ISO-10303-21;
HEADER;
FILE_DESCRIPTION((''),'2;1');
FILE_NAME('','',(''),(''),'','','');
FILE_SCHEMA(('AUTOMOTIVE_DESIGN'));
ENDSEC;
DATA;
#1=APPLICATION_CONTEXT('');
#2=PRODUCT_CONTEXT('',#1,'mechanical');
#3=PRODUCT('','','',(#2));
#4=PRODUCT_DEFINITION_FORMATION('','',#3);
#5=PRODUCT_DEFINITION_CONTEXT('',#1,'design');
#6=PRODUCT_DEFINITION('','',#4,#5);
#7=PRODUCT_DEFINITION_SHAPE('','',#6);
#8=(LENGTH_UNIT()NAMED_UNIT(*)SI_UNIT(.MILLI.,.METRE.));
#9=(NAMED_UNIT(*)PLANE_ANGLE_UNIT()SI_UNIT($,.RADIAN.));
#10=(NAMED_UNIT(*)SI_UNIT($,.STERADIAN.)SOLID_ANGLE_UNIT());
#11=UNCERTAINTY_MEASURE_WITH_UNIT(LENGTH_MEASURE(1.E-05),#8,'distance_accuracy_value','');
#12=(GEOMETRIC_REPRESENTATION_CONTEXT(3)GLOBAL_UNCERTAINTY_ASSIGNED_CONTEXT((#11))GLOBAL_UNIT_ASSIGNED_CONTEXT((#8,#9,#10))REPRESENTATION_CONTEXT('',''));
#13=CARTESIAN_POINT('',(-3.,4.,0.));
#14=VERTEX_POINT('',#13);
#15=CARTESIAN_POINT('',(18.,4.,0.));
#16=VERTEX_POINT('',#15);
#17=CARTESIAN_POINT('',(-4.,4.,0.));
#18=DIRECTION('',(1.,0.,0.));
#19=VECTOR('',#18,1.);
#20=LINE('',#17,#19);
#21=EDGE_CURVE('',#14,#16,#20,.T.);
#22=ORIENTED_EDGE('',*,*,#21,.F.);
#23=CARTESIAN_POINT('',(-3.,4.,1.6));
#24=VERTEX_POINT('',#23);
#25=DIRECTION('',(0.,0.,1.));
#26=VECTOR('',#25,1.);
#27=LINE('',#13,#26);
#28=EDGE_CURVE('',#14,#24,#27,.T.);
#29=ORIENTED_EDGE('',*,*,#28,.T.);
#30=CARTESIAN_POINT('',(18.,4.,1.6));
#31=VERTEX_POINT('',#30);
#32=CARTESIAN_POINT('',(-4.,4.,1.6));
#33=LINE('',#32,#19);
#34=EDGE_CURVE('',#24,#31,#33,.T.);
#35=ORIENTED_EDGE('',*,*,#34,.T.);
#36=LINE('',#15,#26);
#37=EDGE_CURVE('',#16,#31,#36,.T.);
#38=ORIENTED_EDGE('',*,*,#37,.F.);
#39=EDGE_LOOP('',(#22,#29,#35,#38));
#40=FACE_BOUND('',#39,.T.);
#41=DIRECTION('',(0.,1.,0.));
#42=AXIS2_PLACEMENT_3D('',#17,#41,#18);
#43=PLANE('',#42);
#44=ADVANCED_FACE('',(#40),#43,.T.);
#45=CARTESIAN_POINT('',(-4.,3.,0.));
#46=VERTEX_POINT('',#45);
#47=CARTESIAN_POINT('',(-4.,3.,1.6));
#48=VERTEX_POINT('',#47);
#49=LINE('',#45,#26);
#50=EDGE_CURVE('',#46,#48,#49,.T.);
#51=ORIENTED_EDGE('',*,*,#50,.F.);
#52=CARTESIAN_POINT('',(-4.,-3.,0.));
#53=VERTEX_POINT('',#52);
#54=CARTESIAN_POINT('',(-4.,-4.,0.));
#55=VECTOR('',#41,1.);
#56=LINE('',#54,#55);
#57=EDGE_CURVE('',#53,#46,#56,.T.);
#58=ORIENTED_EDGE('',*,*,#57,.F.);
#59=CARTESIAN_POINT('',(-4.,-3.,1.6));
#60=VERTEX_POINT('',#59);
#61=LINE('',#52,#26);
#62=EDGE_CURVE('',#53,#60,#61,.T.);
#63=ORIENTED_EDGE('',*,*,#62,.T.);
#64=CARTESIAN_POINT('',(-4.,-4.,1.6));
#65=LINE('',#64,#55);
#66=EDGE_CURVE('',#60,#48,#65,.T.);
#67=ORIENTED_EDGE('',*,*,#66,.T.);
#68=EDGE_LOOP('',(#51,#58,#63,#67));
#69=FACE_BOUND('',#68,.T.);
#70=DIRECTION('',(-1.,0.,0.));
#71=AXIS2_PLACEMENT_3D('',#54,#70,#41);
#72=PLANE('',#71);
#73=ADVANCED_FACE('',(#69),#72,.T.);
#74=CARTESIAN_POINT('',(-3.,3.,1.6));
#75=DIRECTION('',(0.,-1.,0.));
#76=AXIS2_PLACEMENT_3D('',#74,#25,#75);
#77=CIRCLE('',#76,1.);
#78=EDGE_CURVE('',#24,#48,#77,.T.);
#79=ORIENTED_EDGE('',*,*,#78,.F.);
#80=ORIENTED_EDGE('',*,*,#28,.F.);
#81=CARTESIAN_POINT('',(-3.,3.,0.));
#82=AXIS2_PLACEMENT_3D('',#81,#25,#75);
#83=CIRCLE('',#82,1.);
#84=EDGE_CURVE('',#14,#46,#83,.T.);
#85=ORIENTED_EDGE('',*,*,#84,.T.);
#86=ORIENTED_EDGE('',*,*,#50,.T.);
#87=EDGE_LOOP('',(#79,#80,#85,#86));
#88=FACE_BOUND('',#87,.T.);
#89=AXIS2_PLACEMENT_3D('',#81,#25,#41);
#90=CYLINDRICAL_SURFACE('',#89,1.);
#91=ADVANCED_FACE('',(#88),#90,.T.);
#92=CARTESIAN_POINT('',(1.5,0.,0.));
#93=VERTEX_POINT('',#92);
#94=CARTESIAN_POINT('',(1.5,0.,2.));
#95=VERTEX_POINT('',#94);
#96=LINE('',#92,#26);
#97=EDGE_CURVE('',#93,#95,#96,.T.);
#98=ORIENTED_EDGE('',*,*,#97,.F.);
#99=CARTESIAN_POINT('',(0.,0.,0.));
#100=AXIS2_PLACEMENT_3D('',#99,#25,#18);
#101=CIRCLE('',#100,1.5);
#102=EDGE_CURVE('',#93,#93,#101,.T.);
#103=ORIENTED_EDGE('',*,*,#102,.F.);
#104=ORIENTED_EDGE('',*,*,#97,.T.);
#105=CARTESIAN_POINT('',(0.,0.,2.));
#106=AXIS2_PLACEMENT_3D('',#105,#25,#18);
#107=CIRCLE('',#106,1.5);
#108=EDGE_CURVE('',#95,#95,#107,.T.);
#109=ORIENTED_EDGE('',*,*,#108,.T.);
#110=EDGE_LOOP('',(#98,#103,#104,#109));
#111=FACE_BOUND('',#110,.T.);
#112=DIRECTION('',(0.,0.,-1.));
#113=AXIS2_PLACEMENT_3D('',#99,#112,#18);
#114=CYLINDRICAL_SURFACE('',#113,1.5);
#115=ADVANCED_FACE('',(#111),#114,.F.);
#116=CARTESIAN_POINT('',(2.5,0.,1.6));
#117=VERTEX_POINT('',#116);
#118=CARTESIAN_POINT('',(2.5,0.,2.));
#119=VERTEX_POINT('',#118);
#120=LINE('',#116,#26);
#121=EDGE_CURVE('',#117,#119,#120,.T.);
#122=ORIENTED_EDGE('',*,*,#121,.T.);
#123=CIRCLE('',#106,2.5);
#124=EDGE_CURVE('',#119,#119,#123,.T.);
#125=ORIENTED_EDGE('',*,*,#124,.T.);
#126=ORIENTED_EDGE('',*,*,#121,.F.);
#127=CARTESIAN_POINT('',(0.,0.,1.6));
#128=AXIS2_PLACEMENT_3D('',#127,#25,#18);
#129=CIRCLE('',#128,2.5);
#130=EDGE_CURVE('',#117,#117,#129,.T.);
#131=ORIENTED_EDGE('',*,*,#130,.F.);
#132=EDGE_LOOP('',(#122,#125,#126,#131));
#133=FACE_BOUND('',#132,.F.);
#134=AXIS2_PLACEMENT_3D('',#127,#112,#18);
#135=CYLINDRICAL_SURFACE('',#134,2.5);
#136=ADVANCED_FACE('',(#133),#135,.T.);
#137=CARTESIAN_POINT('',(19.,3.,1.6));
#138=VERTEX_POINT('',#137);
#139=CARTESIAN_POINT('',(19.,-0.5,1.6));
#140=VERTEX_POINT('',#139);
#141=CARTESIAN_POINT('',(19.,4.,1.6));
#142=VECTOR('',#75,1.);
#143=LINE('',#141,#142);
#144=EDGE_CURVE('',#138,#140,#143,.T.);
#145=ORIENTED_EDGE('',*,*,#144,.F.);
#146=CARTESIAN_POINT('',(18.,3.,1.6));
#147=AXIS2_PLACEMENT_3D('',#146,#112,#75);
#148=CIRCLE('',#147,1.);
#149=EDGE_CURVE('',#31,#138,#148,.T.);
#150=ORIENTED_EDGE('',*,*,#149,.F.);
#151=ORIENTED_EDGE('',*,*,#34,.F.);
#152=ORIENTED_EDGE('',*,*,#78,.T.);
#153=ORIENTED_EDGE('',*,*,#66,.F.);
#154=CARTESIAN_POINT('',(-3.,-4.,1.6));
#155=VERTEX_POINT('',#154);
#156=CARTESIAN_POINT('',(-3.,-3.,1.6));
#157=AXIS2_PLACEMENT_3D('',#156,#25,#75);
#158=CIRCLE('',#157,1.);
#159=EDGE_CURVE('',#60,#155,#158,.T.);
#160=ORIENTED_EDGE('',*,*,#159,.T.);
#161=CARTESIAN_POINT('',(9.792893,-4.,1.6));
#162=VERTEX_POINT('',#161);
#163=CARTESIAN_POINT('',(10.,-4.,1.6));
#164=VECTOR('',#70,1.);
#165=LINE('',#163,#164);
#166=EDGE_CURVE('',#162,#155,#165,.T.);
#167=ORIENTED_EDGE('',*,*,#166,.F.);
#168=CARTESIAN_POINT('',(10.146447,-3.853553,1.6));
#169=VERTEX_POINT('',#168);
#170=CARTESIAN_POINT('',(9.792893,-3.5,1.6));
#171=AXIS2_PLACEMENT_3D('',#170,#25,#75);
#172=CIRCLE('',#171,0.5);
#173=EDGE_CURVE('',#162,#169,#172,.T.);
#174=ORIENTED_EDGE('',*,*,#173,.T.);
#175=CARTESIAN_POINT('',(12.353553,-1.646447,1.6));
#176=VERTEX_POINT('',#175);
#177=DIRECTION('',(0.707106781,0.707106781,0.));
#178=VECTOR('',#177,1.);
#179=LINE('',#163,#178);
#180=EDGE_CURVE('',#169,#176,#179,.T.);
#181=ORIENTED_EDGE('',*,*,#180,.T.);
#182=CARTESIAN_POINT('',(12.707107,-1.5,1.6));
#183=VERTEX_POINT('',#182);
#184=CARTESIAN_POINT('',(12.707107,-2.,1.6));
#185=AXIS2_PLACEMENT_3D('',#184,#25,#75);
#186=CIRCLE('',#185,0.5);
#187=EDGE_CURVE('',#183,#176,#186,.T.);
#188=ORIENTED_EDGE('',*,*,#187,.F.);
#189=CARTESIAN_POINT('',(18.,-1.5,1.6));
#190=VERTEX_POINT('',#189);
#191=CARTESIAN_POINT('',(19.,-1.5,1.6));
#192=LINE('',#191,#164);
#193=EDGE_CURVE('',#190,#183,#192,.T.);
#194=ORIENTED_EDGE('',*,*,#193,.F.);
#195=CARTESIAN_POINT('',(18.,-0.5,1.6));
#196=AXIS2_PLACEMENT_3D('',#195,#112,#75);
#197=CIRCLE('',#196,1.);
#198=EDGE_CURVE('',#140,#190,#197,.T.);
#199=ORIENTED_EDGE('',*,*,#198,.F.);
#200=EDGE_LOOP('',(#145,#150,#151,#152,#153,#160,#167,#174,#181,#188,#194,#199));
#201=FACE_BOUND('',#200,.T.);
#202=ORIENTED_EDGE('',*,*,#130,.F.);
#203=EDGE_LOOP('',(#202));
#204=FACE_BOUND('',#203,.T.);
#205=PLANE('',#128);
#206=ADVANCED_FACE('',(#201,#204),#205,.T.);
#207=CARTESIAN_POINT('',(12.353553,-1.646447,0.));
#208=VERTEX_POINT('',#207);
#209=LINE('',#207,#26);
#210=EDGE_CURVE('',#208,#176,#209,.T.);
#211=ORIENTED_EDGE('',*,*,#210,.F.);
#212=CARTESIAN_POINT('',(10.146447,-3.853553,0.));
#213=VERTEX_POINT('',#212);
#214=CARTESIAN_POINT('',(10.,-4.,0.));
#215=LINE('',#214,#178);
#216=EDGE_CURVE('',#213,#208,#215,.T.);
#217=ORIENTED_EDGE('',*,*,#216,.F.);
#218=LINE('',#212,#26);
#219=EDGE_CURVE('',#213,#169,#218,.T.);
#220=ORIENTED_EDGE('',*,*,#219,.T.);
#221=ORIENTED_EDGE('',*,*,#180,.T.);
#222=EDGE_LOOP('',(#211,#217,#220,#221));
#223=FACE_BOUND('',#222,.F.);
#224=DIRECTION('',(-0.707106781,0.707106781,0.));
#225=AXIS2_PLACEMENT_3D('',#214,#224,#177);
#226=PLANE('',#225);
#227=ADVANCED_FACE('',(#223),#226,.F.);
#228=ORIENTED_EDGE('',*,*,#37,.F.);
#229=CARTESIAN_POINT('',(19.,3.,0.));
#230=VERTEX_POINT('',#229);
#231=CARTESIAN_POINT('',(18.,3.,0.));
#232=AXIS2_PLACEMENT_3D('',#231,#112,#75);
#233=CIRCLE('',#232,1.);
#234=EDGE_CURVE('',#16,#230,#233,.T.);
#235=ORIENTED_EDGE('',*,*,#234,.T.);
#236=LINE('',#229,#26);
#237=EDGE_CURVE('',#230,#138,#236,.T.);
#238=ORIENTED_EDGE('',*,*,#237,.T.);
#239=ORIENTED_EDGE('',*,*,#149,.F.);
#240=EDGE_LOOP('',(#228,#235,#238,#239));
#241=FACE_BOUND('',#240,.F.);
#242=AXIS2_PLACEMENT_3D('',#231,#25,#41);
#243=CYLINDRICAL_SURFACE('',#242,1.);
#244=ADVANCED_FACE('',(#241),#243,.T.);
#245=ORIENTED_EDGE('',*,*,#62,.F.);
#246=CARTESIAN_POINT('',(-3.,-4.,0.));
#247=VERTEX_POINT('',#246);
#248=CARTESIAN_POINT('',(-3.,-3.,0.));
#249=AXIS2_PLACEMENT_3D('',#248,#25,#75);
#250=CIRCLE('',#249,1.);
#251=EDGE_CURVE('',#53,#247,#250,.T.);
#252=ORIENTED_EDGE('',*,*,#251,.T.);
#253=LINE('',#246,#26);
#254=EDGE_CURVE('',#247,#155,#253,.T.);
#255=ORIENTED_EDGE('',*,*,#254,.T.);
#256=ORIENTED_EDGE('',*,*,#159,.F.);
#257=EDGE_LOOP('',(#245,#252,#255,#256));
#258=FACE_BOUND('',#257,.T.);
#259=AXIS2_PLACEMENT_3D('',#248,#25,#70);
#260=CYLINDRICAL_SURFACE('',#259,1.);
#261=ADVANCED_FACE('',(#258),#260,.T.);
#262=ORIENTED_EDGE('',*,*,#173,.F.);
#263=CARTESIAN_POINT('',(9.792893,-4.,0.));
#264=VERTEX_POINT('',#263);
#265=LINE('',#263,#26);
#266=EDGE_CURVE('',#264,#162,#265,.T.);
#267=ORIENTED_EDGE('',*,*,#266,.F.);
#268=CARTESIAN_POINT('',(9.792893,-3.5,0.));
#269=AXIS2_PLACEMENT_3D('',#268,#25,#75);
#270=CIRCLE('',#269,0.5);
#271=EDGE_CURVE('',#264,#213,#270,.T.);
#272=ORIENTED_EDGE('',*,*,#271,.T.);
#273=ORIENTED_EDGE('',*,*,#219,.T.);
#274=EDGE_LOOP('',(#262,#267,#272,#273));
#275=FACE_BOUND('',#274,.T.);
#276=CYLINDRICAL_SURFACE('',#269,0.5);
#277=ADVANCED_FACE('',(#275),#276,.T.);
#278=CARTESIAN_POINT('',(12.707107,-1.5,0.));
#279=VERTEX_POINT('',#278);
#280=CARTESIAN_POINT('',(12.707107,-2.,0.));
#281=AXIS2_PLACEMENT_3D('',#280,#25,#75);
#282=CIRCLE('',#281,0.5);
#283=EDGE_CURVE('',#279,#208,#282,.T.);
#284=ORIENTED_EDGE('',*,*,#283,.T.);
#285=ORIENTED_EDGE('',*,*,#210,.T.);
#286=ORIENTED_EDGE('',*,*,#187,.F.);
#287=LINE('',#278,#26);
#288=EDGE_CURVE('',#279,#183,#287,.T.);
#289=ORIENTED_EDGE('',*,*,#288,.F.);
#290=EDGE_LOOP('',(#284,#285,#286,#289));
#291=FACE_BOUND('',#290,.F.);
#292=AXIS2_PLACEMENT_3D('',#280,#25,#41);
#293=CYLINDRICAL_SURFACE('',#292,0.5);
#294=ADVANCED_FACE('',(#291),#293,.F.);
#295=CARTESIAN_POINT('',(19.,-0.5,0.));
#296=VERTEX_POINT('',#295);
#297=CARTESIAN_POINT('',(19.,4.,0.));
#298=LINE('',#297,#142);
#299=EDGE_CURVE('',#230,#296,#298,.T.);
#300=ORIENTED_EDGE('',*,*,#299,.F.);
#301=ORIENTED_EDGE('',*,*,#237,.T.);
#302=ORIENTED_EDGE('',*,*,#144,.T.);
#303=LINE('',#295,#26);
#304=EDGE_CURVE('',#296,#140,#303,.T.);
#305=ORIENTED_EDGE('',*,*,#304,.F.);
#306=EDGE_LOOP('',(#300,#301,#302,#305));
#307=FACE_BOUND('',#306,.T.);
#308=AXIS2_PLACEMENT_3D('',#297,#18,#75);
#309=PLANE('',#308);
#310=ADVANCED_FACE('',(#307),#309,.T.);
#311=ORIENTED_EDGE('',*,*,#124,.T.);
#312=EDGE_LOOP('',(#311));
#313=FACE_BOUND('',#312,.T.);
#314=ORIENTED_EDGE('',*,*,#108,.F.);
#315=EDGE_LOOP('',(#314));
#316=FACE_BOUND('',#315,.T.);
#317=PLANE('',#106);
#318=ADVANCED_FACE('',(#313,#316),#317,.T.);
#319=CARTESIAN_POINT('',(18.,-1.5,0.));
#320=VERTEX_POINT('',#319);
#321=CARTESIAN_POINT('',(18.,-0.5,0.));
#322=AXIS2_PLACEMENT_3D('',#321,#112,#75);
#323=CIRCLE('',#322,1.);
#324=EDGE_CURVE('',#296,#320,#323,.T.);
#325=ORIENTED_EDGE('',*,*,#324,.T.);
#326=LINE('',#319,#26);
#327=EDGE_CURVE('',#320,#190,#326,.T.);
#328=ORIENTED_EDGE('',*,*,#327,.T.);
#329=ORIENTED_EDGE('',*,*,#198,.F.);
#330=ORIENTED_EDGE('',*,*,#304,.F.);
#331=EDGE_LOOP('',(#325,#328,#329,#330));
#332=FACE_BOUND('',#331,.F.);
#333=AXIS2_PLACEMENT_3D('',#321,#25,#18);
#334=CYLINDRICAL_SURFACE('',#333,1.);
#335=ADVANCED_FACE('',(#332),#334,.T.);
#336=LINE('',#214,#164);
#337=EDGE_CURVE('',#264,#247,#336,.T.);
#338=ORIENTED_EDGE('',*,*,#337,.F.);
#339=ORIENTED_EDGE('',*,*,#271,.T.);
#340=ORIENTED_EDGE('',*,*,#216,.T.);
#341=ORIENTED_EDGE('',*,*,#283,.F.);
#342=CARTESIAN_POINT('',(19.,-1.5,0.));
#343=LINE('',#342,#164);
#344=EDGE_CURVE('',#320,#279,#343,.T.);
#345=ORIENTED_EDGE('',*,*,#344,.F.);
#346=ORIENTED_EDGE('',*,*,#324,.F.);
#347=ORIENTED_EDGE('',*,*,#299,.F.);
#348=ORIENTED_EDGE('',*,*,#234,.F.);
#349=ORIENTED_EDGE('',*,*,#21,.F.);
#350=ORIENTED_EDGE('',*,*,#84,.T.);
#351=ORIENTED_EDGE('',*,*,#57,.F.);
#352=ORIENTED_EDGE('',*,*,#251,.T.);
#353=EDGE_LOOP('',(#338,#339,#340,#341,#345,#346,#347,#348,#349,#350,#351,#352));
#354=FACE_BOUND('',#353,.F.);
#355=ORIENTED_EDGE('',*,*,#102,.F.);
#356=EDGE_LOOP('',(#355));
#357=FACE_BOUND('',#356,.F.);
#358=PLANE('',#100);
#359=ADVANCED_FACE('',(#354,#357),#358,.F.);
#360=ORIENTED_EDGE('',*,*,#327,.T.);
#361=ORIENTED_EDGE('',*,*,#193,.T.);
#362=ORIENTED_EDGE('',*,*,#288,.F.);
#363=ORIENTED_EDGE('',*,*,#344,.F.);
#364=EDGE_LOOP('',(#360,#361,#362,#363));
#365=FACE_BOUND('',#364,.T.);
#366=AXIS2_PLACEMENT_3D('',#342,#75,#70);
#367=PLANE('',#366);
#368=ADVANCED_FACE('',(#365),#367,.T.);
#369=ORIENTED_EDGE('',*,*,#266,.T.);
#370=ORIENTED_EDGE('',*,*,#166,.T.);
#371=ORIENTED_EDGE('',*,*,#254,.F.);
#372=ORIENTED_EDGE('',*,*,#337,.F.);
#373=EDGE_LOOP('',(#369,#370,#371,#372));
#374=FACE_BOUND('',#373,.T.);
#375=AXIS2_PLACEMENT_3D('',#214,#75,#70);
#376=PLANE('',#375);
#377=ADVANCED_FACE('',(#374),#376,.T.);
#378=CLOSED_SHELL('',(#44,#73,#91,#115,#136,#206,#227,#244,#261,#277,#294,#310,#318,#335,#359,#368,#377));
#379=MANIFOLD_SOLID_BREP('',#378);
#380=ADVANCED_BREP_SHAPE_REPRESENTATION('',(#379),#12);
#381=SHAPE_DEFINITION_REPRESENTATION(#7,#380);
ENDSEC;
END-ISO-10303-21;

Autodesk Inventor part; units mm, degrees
ref_plane "YZ Plane" through (0, 0, 0) normal (1, 0, 0) x (0, 1, 0)
ref_plane "XZ Plane" through (0, 0, 0) normal (0, 1, 0) x (-1, 0, 0)
ref_plane "XY Plane" through (0, 0, 0) normal (0, 0, 1) x (1, 0, 0)
sketch "Sketch1" plane through (0, 0, 0) normal (0, 0, 1) x (1, 0, 0)
  circle A0 centre (0, 0) radius 1.5
  line L0 (-4, 4) -> (19, 4)
  line L1 (19, 4) -> (19, -1.5)
  line L2 (10, -4) -> (-4, -4)
  line L3 (-4, -4) -> (-4, 4)
  line L4 (19, -1.5) -> (12.5, -1.5)
  line L5 (10, -4) -> (12.5, -1.5)
  dimension "d0" = 3
  dimension "d1" = 4
  dimension "d2" = 23
  dimension "d3" = 4
  dimension "d4" = 4
  dimension "d6" = 5.5
  dimension "d15" = 14
  dimension "d16" = 135
extrude "Extrusion1" add sketch "Sketch1" along normal blind 1.6
sketch "Sketch2" plane through (0, 0, 1.6) normal (0, 0, 1) x (1, 0, 0)
  circle A0 centre (0, 0) radius 1.5 projected
  circle A1 centre (0, 0) radius 1.5
  circle A2 centre (0, 0) radius 2.5
  dimension "d9" = 5
extrude "Extrusion2" add sketch "Sketch2" along normal blind 0.4
fillet "Fillet1" radius 1 1 edges at (-4, 4, 0.8)
fillet "Fillet2" radius 1 3 edges at (-4, -4, 0.8) (19, -1.5, 0.8) (19, 4, 0.8)
fillet "Fillet3" radius 0.5 2 edges at (10, -4, 0.8) (12.5, -1.5, 0.8)
properties part number "X End Stop Flag 1.0" material "PC/ABS Plastic"
